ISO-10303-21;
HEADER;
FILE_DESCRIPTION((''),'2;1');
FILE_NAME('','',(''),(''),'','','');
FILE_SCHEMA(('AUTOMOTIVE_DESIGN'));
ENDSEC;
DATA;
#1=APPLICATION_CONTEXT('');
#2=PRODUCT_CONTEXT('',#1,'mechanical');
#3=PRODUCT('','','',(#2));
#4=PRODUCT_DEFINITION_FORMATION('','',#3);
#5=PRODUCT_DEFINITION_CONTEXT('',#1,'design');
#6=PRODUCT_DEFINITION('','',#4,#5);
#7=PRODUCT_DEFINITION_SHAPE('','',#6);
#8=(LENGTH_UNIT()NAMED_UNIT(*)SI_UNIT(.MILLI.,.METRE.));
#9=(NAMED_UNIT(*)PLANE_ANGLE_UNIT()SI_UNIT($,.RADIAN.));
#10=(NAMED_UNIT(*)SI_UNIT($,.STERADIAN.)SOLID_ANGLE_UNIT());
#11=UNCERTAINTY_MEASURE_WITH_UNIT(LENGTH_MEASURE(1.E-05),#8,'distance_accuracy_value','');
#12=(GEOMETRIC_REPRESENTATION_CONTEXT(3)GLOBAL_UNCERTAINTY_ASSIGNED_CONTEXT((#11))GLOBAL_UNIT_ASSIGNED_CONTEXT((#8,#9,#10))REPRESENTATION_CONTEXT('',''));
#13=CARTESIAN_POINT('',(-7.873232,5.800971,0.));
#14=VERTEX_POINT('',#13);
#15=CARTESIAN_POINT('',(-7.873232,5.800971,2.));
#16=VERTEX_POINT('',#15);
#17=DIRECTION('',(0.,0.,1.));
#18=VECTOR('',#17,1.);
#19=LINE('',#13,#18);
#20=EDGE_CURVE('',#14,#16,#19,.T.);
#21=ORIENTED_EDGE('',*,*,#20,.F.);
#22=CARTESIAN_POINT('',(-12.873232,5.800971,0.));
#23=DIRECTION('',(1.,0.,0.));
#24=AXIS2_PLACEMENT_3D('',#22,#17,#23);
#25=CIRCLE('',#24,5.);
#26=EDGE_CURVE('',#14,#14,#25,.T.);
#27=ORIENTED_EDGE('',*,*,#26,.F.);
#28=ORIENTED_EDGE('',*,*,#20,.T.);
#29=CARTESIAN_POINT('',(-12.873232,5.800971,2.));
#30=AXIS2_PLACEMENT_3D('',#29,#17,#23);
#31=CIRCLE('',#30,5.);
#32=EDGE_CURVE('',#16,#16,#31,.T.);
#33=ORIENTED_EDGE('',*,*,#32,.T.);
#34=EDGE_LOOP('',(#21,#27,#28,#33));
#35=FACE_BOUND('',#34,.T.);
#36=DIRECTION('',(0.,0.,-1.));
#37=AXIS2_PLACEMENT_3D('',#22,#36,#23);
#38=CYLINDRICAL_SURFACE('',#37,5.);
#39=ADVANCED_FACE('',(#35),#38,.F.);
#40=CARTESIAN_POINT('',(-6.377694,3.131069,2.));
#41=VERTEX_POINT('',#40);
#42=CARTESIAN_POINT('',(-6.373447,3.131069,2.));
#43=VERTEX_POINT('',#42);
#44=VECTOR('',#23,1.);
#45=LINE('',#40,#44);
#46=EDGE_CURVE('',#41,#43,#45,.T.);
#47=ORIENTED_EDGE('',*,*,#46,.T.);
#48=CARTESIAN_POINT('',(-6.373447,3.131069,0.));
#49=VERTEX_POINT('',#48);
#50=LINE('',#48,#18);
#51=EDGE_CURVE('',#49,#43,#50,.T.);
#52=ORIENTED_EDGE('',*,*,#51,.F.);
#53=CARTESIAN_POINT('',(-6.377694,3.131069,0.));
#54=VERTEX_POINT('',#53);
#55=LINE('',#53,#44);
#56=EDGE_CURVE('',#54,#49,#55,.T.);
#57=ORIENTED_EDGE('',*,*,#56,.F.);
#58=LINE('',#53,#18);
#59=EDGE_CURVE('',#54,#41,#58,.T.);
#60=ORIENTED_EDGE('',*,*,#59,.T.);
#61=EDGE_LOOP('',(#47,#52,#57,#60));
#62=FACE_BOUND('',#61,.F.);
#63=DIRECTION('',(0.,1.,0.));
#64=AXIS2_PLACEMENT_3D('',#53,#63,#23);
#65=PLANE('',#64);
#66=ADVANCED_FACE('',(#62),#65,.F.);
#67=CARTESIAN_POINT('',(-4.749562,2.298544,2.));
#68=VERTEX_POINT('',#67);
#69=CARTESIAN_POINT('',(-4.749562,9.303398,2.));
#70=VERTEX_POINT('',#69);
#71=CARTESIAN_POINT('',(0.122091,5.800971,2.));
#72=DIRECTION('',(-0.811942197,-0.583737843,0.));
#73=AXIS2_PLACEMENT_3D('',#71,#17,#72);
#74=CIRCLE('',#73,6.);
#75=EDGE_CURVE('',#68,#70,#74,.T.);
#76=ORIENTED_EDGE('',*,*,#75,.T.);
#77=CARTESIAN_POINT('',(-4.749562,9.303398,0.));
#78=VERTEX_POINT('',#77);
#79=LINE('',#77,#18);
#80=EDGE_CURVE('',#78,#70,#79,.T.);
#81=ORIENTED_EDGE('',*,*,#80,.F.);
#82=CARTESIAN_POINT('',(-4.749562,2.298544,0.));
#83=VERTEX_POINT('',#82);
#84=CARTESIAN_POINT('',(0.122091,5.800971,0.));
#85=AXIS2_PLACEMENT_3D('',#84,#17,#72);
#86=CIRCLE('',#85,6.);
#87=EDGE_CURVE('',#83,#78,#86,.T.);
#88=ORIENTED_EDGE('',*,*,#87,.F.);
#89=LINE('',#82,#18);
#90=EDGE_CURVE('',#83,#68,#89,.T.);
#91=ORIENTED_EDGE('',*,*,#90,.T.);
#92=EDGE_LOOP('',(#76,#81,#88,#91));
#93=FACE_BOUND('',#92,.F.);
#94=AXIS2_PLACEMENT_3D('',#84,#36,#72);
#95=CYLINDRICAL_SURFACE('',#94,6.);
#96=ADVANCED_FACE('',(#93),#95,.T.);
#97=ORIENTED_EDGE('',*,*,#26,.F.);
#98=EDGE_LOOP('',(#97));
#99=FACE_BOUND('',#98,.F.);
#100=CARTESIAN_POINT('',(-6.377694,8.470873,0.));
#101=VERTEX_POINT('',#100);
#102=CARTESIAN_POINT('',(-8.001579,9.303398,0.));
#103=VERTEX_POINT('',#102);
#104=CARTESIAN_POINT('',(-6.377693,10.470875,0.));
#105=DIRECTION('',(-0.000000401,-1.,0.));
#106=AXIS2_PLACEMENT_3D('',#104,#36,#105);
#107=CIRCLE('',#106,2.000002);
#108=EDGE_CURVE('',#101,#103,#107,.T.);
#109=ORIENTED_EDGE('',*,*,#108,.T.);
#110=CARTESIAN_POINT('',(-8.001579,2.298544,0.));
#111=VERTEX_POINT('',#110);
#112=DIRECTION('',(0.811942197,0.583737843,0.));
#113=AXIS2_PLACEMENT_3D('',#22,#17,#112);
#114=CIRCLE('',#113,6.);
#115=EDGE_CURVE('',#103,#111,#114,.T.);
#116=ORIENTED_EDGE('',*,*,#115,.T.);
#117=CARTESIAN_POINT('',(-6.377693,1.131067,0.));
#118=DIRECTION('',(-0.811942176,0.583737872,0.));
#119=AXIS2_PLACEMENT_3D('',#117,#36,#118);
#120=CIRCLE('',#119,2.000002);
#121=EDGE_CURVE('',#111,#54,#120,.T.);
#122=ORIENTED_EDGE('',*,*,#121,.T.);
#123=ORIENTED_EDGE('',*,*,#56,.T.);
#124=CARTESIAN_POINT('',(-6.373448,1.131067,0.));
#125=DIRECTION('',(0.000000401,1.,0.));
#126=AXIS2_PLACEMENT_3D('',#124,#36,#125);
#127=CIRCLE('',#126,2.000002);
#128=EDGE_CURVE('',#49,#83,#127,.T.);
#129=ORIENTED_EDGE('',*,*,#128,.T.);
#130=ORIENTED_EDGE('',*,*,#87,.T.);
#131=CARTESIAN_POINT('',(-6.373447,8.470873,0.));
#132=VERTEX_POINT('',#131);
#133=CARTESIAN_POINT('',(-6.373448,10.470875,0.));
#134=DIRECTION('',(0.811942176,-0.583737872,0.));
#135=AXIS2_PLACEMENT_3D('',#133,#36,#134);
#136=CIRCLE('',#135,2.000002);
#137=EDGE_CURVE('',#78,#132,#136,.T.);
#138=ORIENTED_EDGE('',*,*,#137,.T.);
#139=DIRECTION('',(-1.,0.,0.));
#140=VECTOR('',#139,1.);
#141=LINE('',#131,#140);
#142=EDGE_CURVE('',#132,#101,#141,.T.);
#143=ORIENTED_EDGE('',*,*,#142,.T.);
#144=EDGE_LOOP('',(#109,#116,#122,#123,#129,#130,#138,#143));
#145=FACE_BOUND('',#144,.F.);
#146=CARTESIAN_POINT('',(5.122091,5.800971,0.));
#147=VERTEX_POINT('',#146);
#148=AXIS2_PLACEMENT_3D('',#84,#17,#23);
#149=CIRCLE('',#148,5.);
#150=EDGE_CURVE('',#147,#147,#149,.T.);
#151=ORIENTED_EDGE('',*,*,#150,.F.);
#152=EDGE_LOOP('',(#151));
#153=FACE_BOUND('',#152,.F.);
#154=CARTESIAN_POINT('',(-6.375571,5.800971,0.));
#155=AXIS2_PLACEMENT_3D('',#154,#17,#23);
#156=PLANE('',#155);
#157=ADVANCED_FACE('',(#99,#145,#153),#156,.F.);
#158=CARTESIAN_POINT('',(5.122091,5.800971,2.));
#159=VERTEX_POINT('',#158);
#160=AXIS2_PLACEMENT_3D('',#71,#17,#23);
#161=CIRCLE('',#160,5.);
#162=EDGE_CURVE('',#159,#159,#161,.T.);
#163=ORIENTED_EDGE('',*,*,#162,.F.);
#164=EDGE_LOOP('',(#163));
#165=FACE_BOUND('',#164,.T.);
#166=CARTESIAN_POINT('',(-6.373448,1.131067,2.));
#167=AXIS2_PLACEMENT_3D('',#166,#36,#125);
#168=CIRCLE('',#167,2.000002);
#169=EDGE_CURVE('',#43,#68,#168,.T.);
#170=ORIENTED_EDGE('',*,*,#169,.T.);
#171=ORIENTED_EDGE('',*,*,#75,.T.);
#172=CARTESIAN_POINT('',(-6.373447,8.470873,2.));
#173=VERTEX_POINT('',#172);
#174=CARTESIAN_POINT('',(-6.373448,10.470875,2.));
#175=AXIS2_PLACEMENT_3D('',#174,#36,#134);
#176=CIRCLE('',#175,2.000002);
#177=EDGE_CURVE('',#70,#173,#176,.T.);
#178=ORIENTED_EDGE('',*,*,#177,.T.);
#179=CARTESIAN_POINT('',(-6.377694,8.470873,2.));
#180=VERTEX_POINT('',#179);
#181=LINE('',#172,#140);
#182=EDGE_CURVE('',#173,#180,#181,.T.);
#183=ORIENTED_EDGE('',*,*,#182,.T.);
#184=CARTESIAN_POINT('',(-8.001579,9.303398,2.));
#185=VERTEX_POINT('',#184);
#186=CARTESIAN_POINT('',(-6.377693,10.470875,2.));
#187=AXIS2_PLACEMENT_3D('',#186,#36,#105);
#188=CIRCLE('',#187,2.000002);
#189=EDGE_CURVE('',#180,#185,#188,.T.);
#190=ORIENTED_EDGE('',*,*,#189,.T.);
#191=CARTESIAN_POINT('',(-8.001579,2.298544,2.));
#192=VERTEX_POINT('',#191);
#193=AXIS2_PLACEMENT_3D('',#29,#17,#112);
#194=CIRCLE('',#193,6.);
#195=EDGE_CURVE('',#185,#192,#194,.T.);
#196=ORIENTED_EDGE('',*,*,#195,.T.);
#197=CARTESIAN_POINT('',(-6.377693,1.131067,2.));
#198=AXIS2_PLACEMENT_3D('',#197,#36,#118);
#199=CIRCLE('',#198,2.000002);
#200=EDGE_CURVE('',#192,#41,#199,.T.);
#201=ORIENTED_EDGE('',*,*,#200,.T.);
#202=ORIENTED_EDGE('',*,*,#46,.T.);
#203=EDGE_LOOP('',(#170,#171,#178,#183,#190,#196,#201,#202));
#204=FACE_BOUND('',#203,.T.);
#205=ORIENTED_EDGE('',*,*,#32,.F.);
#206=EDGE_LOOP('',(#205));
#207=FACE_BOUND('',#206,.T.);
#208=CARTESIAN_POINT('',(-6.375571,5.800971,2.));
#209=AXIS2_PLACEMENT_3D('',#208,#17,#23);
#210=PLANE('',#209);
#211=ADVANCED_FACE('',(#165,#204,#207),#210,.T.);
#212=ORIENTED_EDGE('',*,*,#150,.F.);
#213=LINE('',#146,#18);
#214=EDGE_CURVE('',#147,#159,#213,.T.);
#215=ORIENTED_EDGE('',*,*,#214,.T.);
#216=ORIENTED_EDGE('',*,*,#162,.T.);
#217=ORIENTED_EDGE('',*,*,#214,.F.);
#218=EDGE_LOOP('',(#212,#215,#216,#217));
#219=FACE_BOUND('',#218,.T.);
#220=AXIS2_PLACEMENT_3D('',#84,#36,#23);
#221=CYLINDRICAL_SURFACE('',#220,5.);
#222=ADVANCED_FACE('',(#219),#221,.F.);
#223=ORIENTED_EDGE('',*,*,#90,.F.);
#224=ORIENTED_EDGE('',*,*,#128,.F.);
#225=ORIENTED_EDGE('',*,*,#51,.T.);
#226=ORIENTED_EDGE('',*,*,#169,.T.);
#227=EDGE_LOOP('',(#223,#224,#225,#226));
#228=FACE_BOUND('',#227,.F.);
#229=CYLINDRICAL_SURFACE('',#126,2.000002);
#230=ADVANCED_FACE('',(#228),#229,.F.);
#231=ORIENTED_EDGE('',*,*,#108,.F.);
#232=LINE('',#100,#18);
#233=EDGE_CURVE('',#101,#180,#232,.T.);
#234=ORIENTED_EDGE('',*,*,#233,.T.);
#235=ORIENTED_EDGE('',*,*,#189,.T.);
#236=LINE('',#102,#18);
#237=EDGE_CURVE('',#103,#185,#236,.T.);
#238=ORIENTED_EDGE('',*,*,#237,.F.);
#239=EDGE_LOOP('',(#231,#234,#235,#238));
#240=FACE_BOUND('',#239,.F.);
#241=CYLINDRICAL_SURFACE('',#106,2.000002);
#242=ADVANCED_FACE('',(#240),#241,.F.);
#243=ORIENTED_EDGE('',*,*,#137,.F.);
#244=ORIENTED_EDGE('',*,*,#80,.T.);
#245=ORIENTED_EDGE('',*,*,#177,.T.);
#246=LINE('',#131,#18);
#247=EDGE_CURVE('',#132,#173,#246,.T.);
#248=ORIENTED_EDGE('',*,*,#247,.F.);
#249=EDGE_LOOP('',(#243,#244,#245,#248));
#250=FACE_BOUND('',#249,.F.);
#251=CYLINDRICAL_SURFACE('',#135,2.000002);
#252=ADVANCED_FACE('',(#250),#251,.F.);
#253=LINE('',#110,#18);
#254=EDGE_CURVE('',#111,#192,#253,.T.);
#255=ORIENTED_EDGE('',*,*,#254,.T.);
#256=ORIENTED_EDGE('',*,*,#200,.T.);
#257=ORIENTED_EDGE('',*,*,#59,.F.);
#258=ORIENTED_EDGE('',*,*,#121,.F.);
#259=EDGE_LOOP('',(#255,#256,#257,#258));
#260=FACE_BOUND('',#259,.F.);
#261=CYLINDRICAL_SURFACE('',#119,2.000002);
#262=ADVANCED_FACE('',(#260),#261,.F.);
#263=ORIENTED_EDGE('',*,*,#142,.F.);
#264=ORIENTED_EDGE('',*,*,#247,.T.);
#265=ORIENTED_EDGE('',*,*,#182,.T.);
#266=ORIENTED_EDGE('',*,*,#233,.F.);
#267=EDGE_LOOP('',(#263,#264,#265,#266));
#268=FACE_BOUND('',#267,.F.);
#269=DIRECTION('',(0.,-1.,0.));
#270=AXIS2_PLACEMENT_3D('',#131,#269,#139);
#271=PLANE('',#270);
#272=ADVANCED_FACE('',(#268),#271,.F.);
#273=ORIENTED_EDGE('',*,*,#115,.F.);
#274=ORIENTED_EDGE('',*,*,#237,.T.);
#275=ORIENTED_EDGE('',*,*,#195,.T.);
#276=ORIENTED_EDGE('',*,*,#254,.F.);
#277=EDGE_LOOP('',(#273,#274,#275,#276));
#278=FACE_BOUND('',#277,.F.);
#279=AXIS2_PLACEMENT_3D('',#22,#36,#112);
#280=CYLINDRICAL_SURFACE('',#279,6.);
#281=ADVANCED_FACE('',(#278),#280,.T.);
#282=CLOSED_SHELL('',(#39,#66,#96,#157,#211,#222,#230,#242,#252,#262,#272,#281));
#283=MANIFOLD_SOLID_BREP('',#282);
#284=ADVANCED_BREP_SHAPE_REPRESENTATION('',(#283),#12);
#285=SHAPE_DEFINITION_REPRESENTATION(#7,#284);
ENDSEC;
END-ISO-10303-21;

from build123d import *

# Parameters (mm, degrees)
F0_R     = 5
F1_DEPTH = 2


with BuildPart() as f1:
    # F0 (on Top) → F1 (new body)
    with BuildSketch(Plane.XY):
        with BuildLine():
            ThreePointArc((-6.377694, 8.470873), (-7.290122, 8.691133), (-8.001579, 9.303398))
            ThreePointArc((-8.001579, 9.303398), (-18.873232, 5.800971), (-8.001579, 2.298544))
            ThreePointArc((-8.001579, 2.298544), (-7.290122, 2.910809), (-6.377694, 3.131069))
            Line((-6.377694, 3.131069), (-6.373447, 3.131069))
            ThreePointArc((-6.373447, 3.131069), (-5.461019, 2.910809), (-4.749562, 2.298544))
            ThreePointArc((-4.749562, 2.298544), (6.122091, 5.800971), (-4.749562, 9.303398))
            ThreePointArc((-4.749562, 9.303398), (-5.461019, 8.691133), (-6.373447, 8.470873))
            Line((-6.373447, 8.470873), (-6.377694, 8.470873))
        make_face()
        with Locations((-12.873232, 5.800971)):
            Circle(F0_R, mode=Mode.SUBTRACT)
        with Locations((0.122091, 5.800971)):
            Circle(F0_R, mode=Mode.SUBTRACT)
    extrude(amount=F1_DEPTH)


solid = f1.part
